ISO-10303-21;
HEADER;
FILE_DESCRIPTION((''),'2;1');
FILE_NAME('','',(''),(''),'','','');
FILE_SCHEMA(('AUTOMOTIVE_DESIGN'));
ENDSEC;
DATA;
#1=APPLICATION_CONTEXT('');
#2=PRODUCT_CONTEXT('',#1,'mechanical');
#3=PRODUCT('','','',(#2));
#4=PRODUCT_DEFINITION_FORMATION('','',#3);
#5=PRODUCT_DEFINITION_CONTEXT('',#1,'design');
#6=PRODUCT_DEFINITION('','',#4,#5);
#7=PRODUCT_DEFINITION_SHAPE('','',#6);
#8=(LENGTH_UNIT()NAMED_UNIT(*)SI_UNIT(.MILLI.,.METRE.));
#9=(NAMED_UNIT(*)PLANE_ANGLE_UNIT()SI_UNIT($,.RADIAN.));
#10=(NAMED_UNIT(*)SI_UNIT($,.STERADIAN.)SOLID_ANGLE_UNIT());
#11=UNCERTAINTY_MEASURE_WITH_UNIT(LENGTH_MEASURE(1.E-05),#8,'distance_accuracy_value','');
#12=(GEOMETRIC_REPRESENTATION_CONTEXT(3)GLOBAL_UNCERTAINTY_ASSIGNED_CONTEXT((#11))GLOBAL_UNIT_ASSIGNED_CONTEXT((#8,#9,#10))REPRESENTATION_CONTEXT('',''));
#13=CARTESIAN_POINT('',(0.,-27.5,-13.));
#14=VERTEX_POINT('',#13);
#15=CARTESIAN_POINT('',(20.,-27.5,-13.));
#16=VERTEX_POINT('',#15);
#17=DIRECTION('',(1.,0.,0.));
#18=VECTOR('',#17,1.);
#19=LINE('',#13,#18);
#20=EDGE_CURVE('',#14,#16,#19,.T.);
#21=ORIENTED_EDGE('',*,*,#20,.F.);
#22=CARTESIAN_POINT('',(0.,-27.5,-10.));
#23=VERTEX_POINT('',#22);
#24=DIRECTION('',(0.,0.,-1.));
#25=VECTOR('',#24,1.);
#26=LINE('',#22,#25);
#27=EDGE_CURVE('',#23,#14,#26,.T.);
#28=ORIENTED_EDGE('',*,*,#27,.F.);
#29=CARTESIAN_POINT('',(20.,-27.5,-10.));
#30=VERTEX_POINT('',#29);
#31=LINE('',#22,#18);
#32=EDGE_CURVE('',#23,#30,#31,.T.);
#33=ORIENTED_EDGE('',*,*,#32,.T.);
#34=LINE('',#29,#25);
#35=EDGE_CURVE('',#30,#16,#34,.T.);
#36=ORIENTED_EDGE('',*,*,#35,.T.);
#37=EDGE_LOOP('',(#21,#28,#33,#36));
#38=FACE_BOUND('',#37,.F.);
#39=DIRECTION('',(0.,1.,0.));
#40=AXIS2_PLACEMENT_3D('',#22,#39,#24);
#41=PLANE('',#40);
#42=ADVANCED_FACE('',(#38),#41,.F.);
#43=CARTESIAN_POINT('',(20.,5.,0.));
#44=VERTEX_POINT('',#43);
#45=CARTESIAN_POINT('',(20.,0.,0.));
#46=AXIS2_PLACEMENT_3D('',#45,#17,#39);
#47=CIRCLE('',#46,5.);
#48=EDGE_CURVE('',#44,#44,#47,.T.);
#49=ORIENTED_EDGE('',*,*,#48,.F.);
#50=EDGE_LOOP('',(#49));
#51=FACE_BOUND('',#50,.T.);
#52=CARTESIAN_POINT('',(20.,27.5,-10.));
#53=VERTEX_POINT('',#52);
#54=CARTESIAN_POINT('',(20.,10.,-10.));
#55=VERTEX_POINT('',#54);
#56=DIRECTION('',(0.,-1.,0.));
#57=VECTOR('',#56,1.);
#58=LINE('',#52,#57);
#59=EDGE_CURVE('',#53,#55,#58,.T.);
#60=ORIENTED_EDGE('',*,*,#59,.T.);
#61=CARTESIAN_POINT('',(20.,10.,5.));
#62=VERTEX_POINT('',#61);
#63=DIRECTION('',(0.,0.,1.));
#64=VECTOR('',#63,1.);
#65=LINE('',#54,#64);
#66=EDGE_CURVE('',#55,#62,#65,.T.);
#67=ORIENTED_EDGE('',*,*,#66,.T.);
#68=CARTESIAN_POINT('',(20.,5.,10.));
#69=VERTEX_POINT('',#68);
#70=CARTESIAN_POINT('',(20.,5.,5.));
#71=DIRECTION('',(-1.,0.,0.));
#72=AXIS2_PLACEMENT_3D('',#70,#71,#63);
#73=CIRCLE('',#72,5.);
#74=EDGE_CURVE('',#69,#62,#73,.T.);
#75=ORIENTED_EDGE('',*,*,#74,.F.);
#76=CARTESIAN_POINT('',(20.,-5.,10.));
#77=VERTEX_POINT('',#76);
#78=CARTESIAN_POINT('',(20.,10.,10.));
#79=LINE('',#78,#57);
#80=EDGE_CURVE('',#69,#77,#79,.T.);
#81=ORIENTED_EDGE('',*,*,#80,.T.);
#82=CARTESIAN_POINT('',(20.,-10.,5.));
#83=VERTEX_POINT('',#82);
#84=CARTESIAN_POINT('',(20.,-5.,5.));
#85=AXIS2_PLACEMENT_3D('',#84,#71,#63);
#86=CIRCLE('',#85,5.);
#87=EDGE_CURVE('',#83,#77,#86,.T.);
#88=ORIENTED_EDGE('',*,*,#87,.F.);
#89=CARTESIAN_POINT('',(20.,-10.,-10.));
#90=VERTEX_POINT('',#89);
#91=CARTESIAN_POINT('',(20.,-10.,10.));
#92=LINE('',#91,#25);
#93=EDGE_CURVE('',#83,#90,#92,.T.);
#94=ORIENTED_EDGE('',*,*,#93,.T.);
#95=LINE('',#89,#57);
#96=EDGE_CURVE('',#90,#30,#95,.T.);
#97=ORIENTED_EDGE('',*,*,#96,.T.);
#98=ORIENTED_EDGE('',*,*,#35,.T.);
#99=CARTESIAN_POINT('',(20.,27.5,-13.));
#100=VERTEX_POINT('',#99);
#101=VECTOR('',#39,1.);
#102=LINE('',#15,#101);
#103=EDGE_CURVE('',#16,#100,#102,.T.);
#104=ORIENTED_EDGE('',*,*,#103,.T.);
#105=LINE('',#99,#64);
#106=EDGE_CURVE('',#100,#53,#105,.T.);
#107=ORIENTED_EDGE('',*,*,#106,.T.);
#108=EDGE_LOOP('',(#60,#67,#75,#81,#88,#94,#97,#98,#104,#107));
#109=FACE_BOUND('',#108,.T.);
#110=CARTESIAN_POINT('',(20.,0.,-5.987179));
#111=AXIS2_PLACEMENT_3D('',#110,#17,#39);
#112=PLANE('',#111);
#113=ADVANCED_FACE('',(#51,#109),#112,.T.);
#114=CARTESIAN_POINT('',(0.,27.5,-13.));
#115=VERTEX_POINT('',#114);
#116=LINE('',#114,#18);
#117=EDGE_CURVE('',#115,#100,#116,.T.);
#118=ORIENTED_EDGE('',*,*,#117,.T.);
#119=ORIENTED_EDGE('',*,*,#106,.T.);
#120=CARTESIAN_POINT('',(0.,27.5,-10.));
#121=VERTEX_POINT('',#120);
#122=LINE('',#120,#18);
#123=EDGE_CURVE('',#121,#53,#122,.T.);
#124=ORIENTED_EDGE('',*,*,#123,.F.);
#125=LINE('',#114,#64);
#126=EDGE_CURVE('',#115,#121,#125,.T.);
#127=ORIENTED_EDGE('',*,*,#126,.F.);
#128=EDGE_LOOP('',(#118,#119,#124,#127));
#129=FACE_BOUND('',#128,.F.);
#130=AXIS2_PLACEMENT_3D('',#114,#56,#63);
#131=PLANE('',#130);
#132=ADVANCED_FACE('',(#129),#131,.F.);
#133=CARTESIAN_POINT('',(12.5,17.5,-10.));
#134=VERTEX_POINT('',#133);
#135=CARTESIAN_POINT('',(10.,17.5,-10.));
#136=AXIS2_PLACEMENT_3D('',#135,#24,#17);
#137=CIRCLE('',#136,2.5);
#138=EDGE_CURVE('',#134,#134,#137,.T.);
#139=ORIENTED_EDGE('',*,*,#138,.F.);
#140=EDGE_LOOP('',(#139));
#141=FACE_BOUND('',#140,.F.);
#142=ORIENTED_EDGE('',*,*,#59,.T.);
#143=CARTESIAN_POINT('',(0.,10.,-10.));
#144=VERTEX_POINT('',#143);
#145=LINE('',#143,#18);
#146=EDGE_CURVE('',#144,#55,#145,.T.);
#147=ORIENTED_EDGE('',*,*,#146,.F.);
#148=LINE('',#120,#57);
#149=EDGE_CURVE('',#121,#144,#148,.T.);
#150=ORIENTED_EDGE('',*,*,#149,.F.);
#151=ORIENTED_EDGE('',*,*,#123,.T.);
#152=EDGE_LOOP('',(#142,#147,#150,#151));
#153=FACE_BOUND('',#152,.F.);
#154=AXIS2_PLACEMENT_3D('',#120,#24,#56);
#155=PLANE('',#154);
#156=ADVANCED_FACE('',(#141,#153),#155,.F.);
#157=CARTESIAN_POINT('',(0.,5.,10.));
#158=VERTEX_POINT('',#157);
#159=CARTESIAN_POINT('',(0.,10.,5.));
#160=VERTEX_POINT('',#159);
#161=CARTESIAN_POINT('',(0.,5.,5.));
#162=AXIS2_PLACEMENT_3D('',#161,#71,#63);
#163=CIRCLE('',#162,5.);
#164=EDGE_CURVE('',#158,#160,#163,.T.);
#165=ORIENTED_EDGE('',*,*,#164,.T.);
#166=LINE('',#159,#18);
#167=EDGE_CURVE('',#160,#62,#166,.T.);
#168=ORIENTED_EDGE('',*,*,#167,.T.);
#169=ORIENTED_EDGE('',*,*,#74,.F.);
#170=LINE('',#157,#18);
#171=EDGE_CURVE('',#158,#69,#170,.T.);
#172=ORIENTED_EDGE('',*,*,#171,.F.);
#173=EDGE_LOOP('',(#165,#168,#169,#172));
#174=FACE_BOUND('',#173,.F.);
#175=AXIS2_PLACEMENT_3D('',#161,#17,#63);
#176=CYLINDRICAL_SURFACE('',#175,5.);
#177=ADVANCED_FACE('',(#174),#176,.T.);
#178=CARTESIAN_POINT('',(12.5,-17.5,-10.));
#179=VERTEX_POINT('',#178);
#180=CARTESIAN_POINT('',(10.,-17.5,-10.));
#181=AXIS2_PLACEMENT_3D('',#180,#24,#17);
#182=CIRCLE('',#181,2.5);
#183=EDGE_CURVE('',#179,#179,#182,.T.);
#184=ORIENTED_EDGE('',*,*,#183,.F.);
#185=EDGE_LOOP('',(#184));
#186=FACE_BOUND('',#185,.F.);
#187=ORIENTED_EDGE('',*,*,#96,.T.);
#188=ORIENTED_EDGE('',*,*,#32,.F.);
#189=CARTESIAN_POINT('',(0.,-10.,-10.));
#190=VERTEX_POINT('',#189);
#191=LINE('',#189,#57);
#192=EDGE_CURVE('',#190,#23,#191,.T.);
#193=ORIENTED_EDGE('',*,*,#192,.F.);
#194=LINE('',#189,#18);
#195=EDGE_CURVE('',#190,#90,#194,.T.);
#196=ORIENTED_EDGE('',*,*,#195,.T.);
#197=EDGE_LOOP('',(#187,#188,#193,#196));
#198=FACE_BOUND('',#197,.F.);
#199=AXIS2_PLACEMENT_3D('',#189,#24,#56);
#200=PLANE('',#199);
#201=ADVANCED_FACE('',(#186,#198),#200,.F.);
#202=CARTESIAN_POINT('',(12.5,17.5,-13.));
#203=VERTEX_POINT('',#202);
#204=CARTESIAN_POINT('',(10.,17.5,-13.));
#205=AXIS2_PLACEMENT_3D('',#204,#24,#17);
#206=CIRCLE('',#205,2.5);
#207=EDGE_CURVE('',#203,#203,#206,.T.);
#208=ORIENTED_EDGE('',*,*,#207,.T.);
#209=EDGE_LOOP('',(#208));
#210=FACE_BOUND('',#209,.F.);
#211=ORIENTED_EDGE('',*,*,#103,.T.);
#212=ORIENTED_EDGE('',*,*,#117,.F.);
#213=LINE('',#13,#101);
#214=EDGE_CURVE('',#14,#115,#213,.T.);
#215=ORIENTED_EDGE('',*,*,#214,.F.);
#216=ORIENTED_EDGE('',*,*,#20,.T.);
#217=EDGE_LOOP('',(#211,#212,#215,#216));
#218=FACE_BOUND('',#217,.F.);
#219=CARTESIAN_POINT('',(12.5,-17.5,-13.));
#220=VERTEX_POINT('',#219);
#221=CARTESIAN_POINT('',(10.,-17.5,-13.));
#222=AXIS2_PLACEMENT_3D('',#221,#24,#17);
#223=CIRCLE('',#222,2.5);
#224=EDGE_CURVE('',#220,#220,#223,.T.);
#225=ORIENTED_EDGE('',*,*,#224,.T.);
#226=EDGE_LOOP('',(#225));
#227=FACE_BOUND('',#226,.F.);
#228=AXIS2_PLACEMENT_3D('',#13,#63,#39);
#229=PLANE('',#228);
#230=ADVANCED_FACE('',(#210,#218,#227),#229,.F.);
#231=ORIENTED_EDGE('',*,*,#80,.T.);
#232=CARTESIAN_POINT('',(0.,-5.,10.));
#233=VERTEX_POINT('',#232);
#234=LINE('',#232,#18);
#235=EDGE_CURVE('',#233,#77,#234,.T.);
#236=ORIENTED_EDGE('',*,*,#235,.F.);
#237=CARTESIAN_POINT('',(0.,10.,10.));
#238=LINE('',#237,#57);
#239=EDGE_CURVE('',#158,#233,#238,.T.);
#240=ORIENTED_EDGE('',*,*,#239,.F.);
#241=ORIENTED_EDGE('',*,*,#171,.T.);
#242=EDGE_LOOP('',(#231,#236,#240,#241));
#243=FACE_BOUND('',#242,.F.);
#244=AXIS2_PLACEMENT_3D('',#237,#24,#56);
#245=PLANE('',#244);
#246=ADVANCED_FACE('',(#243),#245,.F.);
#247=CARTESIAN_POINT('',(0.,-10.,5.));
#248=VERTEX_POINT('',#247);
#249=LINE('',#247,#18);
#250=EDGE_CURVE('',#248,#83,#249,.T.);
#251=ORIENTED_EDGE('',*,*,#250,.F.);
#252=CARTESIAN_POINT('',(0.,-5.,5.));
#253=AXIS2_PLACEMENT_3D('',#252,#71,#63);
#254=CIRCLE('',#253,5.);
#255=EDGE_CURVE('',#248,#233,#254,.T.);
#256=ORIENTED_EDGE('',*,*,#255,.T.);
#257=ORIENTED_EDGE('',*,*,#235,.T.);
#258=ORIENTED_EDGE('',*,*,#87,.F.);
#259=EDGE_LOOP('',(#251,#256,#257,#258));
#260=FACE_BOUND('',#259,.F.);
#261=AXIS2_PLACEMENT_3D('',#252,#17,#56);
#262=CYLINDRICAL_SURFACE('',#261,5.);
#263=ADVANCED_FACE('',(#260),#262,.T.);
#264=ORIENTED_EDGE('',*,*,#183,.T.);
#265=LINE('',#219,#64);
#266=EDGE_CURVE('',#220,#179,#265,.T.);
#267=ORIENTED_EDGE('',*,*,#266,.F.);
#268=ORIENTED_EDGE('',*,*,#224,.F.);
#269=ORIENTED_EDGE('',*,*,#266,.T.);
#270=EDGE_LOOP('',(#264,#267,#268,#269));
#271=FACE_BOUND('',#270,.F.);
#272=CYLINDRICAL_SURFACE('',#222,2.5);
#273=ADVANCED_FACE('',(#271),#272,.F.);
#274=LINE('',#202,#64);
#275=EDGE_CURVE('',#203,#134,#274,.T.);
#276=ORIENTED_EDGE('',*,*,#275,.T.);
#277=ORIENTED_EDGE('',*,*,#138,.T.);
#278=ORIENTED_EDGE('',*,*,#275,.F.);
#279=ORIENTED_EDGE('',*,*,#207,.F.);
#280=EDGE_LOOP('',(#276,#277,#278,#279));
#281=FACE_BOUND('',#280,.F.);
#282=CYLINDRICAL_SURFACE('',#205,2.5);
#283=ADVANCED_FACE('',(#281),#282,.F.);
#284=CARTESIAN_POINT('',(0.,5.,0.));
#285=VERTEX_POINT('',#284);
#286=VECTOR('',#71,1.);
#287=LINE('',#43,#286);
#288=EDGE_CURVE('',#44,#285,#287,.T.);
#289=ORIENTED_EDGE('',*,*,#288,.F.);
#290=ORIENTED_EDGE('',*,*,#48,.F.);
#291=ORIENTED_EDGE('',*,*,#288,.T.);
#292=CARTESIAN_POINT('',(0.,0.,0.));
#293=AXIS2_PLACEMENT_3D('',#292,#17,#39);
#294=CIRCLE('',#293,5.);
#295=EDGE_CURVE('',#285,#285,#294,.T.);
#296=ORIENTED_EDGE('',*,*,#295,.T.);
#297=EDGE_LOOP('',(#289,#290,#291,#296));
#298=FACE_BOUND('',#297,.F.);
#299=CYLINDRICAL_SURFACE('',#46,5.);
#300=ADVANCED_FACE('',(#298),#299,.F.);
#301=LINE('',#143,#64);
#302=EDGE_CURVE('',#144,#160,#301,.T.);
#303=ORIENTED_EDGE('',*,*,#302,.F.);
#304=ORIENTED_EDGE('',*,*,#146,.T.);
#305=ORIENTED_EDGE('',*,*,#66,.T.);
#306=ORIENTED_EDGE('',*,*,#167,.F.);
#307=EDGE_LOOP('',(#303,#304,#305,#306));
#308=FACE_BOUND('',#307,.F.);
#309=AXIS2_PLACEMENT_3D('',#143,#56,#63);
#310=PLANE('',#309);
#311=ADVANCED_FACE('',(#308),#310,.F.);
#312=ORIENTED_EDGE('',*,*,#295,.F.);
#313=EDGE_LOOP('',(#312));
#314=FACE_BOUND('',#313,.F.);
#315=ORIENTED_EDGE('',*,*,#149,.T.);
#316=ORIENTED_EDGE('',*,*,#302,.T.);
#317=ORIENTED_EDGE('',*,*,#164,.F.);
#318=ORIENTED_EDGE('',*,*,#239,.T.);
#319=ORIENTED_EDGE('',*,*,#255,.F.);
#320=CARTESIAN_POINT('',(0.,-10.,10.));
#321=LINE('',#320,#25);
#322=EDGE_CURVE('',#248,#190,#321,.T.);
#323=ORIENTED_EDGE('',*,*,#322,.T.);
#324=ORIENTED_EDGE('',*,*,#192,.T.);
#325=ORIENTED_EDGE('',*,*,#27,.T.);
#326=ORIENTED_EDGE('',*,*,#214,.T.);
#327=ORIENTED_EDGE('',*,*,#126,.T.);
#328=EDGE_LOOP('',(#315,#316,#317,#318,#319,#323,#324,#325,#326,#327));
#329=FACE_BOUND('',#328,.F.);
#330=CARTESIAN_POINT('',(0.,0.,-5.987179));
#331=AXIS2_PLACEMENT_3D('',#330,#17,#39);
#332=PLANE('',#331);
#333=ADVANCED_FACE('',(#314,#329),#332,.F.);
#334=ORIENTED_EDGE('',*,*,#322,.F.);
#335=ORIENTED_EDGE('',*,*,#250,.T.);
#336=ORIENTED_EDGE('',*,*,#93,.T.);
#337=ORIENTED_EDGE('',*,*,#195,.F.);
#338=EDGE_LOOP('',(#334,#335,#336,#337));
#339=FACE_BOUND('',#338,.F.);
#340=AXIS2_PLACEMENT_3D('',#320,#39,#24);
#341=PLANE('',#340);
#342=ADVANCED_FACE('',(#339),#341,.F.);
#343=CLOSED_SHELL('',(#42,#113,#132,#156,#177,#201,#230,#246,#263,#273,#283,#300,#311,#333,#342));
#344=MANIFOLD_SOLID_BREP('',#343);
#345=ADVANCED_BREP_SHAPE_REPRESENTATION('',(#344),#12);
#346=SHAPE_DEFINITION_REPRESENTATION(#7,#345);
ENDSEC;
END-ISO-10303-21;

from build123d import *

# Parameters (mm, degrees)
F1_DEPTH = 20
F2_R     = 5
F3_DEPTH = 20.001
F4_R     = 5
F5_R     = 5
F6_R     = 2.5
F7_DEPTH = 23.001


with BuildPart() as f1:
    # F0 (on Right) → F1 (new body)
    with BuildSketch(Plane.YZ):
        Polygon((-27.5, -10), (-27.5, -13), (27.5, -13), (27.5, -10), (10, -10), (10, 10), (-10, 10), (-10, -10), align=None)
    extrude(amount=F1_DEPTH)

    # F2 (on face) → F3 (cut, through all)
    with BuildSketch(Plane.YZ.offset(20)):
        Circle(F2_R)
    extrude(amount=-F3_DEPTH, mode=Mode.SUBTRACT)

    # F4
    f4_edges = [f1.edges().sort_by_distance(p)[0] for p in [
        (10, -10, 10),
    ]]
    fillet(f4_edges, radius=F4_R)

    # F5
    f5_edges = [f1.edges().sort_by_distance(p)[0] for p in [
        (10, 10, 10),
    ]]
    fillet(f5_edges, radius=F5_R)

    # F6 (on face) → F7 (cut, through all)
    with BuildSketch(Plane(origin=(0, 0, -13), x_dir=(1, 0, 0), z_dir=(0, 0, -1))):
        with Locations((10, 17.5)):
            Circle(F6_R)
        with Locations((10, -17.5)):
            Circle(F6_R)
    extrude(amount=-F7_DEPTH, mode=Mode.SUBTRACT)


solid = f1.part
